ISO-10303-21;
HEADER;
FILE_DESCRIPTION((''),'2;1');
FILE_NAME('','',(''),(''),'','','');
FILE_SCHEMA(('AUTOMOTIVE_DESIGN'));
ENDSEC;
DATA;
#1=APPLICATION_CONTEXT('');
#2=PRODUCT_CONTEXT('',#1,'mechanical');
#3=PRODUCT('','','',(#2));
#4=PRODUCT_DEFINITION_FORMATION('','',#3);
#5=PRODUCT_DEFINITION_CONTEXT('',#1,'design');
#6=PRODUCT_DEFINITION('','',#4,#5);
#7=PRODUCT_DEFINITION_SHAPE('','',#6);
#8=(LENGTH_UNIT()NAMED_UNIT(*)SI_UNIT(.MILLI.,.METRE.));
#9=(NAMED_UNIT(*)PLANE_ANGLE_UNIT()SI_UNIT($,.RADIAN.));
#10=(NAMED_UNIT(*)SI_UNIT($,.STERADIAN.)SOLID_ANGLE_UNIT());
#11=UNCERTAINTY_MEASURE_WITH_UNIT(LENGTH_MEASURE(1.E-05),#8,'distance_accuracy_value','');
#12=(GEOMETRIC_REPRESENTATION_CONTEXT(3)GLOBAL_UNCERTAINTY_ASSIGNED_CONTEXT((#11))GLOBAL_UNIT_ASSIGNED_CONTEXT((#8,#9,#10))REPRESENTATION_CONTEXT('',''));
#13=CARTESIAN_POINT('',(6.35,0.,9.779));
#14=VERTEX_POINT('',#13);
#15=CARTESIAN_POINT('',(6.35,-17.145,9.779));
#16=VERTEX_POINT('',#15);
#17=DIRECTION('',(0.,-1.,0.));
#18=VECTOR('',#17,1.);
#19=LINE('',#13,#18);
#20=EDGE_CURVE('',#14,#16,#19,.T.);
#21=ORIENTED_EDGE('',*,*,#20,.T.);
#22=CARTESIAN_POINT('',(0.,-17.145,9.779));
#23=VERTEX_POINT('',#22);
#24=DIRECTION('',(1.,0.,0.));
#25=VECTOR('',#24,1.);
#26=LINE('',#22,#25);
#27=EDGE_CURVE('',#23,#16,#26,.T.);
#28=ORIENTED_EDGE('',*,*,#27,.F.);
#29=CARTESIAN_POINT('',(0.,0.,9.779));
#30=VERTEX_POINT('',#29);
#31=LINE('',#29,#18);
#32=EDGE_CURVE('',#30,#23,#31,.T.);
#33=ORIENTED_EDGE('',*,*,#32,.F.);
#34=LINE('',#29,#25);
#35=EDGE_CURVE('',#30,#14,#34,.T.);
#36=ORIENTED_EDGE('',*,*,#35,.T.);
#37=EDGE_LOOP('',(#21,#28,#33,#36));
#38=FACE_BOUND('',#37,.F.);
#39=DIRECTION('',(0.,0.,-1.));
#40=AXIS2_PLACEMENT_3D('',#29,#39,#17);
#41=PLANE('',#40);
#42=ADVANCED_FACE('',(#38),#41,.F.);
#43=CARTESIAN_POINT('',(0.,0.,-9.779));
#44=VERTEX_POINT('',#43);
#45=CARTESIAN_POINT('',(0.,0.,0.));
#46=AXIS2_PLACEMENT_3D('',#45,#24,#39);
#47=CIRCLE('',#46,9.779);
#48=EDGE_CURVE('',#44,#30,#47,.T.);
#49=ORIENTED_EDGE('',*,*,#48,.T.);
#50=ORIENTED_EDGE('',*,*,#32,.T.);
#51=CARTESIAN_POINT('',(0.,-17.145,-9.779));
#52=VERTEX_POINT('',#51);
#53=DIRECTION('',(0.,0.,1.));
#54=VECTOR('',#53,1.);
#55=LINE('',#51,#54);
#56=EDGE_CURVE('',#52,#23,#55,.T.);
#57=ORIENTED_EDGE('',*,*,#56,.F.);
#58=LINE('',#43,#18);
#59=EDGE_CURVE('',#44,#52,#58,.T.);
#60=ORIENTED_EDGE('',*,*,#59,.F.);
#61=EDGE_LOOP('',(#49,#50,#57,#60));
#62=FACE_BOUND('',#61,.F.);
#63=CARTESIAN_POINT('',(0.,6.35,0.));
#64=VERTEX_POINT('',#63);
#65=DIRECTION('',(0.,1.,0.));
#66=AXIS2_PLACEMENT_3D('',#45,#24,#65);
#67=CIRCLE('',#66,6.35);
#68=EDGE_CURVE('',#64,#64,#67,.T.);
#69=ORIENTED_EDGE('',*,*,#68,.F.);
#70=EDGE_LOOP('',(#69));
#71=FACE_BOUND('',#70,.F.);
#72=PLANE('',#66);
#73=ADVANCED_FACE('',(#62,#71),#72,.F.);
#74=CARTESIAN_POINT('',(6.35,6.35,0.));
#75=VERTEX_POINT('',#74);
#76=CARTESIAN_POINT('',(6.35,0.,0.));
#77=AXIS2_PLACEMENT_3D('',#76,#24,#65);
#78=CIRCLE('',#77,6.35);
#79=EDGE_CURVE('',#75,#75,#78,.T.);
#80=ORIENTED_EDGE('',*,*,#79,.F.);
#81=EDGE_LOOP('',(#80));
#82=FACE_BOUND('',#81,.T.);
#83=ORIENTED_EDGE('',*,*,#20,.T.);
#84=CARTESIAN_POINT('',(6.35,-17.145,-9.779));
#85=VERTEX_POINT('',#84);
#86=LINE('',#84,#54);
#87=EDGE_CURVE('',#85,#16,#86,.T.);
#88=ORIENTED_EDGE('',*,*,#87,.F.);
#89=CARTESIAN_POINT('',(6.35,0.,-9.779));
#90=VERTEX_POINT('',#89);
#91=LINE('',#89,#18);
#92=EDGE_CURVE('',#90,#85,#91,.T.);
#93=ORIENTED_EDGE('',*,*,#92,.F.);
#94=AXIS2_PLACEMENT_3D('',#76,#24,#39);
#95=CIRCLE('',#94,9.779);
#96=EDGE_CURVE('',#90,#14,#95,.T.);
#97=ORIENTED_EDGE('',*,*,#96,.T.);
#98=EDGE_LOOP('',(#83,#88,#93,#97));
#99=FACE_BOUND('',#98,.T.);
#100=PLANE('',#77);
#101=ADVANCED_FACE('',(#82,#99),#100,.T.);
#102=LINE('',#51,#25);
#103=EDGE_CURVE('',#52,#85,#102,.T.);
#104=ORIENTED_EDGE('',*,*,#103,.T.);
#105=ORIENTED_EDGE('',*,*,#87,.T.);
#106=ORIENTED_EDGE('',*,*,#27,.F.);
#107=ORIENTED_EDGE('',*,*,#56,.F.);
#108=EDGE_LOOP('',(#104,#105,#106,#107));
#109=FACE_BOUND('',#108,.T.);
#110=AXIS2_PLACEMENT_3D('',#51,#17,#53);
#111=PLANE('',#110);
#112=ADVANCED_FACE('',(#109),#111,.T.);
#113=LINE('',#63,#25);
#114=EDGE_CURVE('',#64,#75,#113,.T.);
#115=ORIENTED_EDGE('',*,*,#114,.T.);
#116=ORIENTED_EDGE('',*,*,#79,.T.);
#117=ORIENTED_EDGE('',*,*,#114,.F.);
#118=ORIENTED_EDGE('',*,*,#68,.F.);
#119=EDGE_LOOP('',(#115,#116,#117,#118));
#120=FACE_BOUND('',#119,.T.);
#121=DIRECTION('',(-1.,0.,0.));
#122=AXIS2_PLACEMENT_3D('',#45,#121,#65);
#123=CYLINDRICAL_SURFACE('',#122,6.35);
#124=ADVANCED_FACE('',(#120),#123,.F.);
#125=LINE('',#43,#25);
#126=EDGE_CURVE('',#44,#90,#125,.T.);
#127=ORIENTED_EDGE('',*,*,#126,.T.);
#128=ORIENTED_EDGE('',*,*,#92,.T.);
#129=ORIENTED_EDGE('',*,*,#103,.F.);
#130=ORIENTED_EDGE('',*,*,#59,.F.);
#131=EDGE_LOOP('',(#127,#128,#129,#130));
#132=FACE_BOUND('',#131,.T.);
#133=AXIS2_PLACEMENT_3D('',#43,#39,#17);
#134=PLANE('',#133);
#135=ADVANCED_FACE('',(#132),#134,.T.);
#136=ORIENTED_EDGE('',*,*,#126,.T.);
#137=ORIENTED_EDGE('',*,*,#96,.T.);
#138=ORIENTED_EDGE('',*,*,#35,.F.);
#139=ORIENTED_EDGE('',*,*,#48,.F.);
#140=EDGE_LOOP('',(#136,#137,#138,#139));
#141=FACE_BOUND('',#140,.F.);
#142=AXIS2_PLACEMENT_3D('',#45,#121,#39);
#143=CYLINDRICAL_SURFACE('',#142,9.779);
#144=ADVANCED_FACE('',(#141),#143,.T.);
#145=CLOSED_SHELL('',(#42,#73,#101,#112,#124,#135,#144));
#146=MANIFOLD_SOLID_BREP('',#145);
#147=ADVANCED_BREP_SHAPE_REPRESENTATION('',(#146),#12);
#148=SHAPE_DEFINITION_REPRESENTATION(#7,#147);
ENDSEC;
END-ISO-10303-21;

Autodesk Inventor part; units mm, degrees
ref_plane "YZ Plane" through (0, 0, 0) normal (1, 0, 0) x (0, 1, 0)
ref_plane "XZ Plane" through (0, 0, 0) normal (0, 1, 0) x (-1, 0, 0)
ref_plane "XY Plane" through (0, 0, 0) normal (0, 0, 1) x (1, 0, 0)
sketch "Sketch1" plane through (0, 0, 0) normal (1, 0, 0) x (0, 1, 0)
  circle A0 centre (0, 0) radius 6.35
  arc A1 (0, -9.779) -> (0, 9.779) centre (0, 0) ccw
  line L0 (0, 9.779) -> (-17.145, 9.779)
  line L1 (0, -9.779) -> (-17.145, -9.779)
  line L2 (-17.145, -9.779) -> (-17.145, 9.779)
  dimension "d0" = 12.7
  dimension "d1" = 19.558
  dimension "d2" = 17.145
  dimension "d3" = 17.145
extrude "Extrusion1" add sketch "Sketch1" along normal blind 6.35
properties part number "RollerHolder"
